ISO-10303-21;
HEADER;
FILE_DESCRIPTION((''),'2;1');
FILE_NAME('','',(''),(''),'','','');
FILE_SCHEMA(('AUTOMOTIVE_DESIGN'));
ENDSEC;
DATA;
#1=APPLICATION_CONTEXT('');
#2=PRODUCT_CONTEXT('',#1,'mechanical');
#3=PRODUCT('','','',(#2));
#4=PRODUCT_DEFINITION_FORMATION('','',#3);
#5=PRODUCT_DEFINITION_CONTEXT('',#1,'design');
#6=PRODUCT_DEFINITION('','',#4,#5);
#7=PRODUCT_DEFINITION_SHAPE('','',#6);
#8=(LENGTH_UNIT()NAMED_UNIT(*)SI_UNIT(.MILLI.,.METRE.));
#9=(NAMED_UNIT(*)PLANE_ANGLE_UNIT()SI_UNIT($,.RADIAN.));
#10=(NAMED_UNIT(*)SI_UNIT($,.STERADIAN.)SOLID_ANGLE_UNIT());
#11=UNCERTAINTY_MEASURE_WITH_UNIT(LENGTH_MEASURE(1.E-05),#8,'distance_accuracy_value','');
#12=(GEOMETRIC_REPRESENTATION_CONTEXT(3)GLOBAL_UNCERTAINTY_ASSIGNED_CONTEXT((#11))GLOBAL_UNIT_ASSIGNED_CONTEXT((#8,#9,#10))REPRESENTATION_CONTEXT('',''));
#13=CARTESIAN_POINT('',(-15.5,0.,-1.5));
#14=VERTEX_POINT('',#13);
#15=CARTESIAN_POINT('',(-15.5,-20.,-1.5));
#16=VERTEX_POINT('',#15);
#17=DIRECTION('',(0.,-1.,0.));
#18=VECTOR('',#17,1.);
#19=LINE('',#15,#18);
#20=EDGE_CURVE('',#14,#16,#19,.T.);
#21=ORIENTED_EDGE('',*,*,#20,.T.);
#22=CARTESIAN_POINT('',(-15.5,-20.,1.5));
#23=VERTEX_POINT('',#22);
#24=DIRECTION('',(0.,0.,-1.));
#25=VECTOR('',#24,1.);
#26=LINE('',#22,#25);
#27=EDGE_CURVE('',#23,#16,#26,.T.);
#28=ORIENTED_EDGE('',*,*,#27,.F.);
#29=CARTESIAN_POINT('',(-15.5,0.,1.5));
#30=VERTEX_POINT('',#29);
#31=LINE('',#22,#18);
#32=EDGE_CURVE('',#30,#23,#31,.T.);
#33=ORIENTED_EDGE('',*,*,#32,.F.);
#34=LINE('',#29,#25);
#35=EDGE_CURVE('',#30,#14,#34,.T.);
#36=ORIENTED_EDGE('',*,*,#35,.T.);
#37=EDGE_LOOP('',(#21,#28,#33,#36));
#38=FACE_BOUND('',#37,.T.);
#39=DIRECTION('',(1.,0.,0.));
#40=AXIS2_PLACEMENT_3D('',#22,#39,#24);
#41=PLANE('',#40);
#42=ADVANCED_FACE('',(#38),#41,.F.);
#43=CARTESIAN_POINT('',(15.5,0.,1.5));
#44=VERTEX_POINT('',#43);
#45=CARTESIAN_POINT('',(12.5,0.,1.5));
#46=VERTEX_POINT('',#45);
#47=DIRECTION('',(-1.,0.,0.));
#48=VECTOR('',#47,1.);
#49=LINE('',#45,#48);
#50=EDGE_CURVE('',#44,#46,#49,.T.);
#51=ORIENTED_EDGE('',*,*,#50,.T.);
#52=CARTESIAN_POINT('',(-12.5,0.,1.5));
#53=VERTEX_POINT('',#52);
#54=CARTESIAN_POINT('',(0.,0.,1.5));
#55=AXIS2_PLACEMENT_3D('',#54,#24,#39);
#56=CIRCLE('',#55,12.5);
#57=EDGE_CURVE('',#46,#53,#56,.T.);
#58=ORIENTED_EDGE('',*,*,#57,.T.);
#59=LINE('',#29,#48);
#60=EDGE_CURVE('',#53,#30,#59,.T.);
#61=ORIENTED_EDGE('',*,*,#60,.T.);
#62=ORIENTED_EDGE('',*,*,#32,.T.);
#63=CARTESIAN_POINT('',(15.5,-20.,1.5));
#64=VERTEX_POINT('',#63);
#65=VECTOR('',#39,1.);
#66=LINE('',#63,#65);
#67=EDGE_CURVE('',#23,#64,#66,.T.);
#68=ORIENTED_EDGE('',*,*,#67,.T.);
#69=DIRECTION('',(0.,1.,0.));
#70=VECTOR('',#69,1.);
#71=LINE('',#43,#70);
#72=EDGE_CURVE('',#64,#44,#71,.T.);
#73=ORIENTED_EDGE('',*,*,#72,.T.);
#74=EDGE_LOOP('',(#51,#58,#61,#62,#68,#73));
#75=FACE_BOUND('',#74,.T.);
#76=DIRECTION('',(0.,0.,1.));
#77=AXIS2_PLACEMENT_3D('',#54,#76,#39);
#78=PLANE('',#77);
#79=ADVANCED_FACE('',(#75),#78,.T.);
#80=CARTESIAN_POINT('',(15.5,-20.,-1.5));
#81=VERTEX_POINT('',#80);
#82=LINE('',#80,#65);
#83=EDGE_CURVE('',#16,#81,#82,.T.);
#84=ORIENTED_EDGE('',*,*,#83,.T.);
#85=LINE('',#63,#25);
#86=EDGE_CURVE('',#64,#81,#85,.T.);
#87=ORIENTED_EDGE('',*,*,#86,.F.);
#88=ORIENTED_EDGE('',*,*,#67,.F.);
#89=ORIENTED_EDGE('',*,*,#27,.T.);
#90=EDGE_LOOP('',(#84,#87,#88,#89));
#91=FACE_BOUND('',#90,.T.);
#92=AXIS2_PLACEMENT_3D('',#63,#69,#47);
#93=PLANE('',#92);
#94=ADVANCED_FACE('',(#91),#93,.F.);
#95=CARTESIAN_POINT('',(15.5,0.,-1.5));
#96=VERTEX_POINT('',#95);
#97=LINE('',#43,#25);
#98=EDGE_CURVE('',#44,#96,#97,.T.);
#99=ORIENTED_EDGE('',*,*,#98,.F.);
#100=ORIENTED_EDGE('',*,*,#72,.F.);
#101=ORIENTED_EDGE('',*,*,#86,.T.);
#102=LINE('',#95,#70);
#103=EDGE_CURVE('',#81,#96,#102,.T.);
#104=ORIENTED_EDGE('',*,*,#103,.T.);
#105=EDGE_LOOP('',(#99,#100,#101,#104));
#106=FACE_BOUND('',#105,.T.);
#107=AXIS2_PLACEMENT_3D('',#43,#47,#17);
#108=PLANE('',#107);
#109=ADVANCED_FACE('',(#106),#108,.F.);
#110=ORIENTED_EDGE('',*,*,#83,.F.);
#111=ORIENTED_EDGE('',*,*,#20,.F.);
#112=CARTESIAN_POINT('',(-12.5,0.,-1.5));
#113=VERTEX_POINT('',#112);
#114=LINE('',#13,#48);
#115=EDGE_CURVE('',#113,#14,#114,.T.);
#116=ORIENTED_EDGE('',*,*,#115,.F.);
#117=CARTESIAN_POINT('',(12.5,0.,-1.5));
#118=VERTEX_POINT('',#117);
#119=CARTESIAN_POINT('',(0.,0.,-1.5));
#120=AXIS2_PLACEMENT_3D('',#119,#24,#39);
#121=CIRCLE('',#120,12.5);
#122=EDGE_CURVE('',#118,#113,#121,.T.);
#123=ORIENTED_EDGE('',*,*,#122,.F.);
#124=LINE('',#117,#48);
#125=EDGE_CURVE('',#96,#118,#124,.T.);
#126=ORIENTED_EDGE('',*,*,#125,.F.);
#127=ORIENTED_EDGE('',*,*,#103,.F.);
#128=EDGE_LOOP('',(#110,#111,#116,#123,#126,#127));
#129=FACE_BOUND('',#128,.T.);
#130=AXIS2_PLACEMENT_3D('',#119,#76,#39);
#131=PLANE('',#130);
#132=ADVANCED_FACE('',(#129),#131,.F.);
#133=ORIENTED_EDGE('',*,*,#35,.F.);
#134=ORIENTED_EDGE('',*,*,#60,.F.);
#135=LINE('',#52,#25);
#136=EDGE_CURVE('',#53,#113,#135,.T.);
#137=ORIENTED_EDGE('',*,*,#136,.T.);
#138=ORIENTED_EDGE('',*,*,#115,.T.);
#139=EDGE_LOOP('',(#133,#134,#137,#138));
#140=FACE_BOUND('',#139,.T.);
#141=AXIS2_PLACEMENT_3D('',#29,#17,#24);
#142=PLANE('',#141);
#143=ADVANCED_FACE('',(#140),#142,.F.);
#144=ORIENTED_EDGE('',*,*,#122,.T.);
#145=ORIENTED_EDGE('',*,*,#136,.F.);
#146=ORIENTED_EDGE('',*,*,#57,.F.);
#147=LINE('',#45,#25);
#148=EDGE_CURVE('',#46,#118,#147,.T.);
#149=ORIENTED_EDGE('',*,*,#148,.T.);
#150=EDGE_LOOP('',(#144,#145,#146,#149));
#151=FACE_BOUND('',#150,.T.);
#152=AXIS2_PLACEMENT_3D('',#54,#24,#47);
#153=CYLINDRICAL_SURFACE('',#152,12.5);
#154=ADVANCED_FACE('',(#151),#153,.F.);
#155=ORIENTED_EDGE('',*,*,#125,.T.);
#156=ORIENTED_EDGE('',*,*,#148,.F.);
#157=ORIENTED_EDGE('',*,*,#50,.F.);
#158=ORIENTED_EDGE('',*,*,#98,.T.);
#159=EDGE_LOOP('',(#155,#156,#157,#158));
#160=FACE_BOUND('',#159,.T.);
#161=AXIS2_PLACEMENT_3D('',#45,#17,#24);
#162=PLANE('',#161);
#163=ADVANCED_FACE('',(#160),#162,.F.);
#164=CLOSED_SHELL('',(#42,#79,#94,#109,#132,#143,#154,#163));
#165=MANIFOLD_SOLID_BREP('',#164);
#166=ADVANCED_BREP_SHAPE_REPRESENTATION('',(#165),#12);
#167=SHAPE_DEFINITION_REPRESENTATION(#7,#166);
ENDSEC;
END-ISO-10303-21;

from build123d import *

# Parameters (mm, degrees)
BOSS_EXTRUDE1_DEPTH = 1.5


with BuildPart() as part:
    # Sketch1 → Boss-Extrude1 (new, symmetric)
    with BuildSketch(Plane.XY):
        with BuildLine():
            Line((-15.5, 0), (-12.5, 0))
            ThreePointArc((-12.5, 0), (0, -12.5), (12.5, 0))
            Line((12.5, 0), (15.5, 0))
            Line((15.5, 0), (15.5, -20))
            Line((15.5, -20), (-15.5, -20))
            Line((-15.5, -20), (-15.5, 0))
        make_face()
    extrude(amount=BOSS_EXTRUDE1_DEPTH, both=True)


solid = part.part
